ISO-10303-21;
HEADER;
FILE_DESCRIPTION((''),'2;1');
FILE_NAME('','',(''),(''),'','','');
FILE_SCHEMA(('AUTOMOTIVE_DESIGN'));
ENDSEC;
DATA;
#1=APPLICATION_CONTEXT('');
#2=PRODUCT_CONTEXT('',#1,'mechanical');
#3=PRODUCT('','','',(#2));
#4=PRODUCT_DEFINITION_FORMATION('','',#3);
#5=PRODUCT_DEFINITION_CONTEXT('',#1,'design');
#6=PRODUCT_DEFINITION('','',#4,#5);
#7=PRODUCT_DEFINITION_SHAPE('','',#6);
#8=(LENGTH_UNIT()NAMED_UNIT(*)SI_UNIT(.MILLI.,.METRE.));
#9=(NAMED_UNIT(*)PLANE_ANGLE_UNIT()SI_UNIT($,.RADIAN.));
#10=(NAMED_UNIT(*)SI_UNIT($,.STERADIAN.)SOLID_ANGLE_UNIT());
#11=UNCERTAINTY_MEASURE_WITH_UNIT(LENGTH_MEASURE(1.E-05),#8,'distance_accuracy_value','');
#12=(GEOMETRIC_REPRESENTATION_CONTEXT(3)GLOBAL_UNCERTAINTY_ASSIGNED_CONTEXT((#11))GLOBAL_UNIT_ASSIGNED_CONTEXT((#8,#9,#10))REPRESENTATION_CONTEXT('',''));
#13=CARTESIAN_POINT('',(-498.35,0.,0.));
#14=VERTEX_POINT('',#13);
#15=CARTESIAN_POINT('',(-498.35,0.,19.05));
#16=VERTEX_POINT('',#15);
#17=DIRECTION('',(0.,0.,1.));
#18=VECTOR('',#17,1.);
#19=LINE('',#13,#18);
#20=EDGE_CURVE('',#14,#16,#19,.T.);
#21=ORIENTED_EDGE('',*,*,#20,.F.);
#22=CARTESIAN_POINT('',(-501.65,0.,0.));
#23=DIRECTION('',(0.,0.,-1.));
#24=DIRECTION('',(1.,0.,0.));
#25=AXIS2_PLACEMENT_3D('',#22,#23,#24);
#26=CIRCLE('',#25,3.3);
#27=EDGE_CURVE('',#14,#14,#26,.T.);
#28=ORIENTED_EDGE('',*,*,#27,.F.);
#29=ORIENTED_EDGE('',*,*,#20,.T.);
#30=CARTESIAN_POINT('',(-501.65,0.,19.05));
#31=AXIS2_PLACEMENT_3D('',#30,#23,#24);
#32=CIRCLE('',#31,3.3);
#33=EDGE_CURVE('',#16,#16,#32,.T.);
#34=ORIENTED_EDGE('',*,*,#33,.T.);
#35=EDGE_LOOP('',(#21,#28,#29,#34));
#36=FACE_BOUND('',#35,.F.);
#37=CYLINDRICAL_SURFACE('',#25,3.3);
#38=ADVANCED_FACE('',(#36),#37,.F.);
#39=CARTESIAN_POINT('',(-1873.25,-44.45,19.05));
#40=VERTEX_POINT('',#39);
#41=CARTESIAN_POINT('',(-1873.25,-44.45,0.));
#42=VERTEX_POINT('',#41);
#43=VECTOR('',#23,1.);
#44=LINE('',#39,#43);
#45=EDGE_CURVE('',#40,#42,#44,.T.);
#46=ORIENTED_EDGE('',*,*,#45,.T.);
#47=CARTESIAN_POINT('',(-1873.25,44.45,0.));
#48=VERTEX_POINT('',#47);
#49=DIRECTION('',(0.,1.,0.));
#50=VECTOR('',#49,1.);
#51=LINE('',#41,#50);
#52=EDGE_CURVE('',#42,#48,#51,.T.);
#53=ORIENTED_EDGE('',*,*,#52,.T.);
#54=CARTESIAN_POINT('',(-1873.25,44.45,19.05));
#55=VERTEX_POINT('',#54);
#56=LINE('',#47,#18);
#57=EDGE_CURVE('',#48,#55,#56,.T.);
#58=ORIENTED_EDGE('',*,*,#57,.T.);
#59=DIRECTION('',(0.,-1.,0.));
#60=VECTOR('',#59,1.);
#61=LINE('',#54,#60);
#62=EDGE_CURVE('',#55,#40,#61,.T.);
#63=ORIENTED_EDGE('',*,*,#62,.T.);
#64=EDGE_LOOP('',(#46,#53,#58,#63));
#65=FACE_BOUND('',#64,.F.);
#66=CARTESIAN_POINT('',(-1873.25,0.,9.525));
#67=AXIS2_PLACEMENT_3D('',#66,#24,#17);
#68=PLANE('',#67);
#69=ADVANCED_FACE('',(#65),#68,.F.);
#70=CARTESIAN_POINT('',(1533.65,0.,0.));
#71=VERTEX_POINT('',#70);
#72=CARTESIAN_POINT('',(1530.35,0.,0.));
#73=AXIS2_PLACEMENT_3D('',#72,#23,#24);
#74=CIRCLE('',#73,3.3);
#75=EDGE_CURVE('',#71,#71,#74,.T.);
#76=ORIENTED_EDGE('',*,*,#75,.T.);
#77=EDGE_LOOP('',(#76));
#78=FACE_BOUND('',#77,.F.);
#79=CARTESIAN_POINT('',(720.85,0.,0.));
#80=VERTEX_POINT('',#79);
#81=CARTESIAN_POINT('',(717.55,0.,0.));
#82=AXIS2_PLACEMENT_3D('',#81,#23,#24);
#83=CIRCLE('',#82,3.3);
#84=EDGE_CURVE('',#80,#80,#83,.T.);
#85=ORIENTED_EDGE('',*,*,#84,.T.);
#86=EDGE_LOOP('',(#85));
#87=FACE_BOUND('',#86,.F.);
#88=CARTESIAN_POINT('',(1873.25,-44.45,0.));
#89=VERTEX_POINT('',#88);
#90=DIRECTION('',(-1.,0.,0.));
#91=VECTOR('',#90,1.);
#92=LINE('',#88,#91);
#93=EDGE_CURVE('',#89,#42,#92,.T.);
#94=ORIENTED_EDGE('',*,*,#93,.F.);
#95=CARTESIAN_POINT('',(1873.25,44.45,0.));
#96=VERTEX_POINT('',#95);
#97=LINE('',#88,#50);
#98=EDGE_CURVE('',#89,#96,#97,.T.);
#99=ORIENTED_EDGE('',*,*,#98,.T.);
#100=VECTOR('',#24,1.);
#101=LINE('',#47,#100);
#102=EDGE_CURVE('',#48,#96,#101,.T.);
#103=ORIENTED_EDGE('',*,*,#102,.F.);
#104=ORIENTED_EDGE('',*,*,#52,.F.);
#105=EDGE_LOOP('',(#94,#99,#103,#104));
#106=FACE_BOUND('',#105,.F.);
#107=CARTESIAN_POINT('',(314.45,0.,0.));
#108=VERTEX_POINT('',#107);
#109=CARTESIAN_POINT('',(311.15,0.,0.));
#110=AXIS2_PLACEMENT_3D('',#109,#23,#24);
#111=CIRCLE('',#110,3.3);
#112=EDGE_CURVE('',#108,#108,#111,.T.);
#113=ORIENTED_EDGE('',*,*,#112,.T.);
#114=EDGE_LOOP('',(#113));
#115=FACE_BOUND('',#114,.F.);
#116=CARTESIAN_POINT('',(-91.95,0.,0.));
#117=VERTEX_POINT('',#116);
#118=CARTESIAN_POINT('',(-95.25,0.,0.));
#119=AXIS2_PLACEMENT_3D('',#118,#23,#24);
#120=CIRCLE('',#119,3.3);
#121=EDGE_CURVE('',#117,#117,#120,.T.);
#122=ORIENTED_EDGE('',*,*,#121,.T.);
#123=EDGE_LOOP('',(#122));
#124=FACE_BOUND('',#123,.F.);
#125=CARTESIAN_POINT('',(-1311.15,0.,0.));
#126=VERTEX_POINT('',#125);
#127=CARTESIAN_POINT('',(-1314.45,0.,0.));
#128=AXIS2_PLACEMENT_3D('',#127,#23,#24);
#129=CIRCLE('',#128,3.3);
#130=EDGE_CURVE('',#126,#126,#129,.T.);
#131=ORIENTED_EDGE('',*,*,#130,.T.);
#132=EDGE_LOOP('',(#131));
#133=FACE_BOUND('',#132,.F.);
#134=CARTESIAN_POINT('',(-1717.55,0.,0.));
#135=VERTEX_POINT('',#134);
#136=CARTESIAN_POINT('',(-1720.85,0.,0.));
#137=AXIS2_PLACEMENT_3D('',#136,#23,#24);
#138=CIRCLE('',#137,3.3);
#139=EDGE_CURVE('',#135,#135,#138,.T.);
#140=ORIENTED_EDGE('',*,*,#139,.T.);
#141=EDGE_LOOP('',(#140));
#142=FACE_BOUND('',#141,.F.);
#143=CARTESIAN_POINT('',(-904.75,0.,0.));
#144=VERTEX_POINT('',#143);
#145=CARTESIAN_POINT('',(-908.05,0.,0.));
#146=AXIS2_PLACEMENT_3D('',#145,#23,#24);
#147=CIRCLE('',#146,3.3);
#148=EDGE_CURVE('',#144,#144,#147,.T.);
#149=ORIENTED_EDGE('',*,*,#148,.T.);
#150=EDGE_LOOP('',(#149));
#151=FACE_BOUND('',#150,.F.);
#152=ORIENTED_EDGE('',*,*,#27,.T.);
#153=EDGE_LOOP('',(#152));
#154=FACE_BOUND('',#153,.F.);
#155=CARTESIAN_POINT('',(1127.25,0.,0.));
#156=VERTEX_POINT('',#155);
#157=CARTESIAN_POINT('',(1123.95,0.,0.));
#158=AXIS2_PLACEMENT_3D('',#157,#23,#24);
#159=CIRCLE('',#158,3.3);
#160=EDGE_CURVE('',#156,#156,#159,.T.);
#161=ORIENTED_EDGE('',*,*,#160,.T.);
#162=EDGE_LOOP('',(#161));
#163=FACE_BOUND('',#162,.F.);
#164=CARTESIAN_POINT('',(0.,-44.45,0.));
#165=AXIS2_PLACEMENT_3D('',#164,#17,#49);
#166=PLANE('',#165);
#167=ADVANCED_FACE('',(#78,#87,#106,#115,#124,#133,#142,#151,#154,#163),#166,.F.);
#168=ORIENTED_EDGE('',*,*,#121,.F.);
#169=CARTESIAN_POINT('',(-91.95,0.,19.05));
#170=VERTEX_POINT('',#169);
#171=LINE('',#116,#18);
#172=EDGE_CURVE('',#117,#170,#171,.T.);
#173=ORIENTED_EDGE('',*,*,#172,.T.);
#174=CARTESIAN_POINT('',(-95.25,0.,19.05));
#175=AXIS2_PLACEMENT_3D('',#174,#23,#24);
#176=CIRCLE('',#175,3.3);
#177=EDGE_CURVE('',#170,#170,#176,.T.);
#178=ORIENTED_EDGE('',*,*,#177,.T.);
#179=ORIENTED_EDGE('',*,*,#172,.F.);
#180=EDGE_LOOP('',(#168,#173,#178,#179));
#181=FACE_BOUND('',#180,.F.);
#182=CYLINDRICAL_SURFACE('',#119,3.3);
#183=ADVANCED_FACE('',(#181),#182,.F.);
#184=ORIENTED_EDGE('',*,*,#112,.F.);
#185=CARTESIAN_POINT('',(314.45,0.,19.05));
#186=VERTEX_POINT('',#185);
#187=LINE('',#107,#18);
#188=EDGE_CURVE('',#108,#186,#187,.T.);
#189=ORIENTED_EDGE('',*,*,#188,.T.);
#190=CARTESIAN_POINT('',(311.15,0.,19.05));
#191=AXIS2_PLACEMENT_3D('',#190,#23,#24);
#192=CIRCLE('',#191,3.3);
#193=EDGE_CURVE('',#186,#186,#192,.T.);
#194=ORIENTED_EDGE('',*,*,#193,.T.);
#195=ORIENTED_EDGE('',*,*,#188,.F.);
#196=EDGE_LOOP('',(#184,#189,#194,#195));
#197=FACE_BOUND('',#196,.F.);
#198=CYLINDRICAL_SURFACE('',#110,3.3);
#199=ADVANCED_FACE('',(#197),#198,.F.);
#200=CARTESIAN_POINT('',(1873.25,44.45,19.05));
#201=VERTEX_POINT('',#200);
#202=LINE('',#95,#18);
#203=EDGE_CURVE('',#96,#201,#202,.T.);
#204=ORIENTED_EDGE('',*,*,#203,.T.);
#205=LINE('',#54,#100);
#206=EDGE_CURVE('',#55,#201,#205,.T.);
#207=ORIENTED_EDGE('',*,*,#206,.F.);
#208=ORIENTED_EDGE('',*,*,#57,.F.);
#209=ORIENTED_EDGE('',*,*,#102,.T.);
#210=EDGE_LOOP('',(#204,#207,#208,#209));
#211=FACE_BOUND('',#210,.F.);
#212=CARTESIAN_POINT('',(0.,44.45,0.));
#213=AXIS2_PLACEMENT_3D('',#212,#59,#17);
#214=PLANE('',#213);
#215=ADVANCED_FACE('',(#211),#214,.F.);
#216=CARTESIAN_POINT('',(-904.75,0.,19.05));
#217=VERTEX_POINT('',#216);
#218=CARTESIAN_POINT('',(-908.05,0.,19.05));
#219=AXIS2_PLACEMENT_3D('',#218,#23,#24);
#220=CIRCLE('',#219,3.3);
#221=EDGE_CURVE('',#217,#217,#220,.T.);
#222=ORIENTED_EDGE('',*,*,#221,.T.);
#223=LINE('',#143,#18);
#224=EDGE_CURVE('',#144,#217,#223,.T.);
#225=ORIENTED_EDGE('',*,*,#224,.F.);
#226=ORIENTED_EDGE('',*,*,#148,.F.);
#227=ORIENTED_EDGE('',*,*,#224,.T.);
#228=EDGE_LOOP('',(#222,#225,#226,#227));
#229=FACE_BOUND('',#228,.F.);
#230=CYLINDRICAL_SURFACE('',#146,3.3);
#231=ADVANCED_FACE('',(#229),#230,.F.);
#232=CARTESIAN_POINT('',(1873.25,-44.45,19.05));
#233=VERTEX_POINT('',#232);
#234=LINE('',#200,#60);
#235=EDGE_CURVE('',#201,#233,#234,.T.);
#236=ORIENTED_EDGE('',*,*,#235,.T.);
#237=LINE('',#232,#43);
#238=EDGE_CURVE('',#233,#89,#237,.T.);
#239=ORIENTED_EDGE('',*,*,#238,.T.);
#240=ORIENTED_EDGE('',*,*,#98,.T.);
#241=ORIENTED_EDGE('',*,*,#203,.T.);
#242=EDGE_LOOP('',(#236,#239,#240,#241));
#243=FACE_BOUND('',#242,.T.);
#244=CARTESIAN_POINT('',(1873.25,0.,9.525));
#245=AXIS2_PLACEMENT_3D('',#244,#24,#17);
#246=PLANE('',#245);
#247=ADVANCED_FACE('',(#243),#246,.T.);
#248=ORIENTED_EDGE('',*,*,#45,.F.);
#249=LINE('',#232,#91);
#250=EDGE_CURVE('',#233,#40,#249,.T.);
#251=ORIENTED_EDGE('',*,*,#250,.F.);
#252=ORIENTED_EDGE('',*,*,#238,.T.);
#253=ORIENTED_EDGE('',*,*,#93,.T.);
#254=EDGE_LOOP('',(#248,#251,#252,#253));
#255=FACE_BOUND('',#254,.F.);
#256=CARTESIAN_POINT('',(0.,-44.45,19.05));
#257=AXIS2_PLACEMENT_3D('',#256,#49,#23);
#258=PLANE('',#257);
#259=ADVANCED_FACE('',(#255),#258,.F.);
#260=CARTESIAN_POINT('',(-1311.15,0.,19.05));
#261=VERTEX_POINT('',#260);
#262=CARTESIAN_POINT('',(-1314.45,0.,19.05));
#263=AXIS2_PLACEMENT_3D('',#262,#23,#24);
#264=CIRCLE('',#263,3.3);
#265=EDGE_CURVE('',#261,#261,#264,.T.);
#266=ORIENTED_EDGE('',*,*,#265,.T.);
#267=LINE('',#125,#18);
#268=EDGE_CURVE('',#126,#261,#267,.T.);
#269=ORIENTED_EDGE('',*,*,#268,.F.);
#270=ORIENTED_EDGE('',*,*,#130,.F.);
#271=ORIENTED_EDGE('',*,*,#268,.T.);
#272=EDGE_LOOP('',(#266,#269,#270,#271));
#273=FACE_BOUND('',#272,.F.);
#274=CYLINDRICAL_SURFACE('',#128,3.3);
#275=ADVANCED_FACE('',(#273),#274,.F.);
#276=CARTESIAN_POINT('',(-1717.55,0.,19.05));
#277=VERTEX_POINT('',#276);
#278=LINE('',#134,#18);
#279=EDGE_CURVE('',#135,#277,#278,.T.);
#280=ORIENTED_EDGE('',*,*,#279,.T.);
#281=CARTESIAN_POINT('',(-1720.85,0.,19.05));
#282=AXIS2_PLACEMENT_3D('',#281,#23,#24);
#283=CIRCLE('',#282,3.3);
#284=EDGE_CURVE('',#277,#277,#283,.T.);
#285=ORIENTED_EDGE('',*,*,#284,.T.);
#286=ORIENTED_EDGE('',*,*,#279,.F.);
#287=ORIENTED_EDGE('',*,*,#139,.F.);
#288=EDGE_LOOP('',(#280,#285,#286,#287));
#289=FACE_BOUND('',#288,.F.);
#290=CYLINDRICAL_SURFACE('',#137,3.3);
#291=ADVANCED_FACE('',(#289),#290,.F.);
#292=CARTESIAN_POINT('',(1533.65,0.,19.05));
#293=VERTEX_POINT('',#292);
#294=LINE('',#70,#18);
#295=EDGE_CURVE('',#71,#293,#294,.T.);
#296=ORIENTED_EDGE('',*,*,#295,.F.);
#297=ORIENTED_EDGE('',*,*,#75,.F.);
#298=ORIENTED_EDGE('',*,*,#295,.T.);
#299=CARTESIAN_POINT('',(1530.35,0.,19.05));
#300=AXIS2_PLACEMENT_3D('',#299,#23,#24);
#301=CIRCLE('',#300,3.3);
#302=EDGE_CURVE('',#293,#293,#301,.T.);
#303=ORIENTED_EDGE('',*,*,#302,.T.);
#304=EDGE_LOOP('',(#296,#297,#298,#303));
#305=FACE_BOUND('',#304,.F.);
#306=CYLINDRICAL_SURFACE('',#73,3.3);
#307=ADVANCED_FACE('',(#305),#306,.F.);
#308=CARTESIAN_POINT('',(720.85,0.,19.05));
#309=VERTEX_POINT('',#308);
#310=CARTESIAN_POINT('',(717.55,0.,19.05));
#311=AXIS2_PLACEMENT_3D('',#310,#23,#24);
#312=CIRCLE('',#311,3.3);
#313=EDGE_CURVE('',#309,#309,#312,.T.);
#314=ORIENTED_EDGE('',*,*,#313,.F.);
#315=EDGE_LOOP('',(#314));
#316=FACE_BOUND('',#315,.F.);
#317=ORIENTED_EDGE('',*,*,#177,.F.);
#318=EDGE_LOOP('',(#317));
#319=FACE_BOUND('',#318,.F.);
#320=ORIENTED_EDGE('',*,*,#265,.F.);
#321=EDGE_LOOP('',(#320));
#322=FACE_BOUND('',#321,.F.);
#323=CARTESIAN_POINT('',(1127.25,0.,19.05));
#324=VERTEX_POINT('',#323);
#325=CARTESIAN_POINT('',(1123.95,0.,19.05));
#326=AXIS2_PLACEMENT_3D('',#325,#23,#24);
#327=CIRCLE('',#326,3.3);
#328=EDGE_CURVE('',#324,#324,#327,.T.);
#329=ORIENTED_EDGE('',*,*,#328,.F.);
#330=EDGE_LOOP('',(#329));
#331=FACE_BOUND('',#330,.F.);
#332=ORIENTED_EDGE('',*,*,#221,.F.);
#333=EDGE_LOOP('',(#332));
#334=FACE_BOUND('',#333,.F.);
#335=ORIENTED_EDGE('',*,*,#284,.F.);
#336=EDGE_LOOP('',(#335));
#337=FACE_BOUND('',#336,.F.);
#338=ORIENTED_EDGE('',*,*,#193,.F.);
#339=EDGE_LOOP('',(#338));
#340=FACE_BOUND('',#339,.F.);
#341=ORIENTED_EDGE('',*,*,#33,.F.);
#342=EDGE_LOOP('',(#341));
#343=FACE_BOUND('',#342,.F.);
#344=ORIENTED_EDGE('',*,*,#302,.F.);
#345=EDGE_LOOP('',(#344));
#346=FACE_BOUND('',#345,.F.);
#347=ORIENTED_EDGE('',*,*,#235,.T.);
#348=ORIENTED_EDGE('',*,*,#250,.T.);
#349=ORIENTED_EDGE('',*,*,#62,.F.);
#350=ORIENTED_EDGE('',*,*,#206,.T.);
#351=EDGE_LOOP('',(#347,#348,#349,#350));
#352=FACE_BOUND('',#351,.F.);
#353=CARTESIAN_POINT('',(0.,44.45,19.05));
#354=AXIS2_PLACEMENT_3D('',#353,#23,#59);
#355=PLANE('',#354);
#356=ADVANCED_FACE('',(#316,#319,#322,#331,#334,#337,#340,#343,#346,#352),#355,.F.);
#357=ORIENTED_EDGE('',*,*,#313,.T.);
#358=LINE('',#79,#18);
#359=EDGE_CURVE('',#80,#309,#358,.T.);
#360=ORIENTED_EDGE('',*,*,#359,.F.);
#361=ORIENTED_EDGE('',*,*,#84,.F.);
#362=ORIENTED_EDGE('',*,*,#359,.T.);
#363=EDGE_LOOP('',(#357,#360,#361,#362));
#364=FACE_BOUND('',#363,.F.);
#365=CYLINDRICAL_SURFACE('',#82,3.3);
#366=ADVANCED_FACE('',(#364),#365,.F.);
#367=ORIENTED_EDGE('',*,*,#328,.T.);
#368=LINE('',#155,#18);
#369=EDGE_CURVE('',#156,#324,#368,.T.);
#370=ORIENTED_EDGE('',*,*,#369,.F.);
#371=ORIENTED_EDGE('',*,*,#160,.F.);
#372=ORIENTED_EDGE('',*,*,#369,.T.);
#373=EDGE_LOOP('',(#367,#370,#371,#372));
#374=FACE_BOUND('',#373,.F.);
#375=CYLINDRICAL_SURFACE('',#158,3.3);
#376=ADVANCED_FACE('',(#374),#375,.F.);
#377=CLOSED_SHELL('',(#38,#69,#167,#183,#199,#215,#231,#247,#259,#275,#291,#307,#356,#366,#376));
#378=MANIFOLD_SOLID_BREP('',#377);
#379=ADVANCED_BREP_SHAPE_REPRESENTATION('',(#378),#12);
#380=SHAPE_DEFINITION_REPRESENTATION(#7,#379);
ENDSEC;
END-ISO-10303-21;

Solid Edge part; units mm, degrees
sketch "Sketch1" plane through (0, 0, 0) normal (1, 0, 0) x (0, 1, 0)
  line L0 (-44.45, 0) -> (44.45, 0)
  line L1 (44.45, 0) -> (44.45, 19.05)
  line L2 (44.45, 19.05) -> (-44.45, 19.05)
  line L3 (-44.45, 19.05) -> (-44.45, 0)
  dimension "D1" = 88.9
  dimension "D2" = 19.05
extrude "Protrusion1" add sketch "Sketch1" along normal mid plane 3746.5
sketch "Sketch2" plane through (0, 0, 0) normal (0, 0, -1) x (1, 0, 0)
  circle A0 centre (-1720.85, 0) radius 3.3
  dimension "D1" = 6.6
  dimension "D2" = 152.4
extrude "Cutout1" cut sketch "Sketch2" against normal through all
pattern_linear "Pattern1" count 9 spacing 406.4 along (1, 0, 0) of "Cutout1"
